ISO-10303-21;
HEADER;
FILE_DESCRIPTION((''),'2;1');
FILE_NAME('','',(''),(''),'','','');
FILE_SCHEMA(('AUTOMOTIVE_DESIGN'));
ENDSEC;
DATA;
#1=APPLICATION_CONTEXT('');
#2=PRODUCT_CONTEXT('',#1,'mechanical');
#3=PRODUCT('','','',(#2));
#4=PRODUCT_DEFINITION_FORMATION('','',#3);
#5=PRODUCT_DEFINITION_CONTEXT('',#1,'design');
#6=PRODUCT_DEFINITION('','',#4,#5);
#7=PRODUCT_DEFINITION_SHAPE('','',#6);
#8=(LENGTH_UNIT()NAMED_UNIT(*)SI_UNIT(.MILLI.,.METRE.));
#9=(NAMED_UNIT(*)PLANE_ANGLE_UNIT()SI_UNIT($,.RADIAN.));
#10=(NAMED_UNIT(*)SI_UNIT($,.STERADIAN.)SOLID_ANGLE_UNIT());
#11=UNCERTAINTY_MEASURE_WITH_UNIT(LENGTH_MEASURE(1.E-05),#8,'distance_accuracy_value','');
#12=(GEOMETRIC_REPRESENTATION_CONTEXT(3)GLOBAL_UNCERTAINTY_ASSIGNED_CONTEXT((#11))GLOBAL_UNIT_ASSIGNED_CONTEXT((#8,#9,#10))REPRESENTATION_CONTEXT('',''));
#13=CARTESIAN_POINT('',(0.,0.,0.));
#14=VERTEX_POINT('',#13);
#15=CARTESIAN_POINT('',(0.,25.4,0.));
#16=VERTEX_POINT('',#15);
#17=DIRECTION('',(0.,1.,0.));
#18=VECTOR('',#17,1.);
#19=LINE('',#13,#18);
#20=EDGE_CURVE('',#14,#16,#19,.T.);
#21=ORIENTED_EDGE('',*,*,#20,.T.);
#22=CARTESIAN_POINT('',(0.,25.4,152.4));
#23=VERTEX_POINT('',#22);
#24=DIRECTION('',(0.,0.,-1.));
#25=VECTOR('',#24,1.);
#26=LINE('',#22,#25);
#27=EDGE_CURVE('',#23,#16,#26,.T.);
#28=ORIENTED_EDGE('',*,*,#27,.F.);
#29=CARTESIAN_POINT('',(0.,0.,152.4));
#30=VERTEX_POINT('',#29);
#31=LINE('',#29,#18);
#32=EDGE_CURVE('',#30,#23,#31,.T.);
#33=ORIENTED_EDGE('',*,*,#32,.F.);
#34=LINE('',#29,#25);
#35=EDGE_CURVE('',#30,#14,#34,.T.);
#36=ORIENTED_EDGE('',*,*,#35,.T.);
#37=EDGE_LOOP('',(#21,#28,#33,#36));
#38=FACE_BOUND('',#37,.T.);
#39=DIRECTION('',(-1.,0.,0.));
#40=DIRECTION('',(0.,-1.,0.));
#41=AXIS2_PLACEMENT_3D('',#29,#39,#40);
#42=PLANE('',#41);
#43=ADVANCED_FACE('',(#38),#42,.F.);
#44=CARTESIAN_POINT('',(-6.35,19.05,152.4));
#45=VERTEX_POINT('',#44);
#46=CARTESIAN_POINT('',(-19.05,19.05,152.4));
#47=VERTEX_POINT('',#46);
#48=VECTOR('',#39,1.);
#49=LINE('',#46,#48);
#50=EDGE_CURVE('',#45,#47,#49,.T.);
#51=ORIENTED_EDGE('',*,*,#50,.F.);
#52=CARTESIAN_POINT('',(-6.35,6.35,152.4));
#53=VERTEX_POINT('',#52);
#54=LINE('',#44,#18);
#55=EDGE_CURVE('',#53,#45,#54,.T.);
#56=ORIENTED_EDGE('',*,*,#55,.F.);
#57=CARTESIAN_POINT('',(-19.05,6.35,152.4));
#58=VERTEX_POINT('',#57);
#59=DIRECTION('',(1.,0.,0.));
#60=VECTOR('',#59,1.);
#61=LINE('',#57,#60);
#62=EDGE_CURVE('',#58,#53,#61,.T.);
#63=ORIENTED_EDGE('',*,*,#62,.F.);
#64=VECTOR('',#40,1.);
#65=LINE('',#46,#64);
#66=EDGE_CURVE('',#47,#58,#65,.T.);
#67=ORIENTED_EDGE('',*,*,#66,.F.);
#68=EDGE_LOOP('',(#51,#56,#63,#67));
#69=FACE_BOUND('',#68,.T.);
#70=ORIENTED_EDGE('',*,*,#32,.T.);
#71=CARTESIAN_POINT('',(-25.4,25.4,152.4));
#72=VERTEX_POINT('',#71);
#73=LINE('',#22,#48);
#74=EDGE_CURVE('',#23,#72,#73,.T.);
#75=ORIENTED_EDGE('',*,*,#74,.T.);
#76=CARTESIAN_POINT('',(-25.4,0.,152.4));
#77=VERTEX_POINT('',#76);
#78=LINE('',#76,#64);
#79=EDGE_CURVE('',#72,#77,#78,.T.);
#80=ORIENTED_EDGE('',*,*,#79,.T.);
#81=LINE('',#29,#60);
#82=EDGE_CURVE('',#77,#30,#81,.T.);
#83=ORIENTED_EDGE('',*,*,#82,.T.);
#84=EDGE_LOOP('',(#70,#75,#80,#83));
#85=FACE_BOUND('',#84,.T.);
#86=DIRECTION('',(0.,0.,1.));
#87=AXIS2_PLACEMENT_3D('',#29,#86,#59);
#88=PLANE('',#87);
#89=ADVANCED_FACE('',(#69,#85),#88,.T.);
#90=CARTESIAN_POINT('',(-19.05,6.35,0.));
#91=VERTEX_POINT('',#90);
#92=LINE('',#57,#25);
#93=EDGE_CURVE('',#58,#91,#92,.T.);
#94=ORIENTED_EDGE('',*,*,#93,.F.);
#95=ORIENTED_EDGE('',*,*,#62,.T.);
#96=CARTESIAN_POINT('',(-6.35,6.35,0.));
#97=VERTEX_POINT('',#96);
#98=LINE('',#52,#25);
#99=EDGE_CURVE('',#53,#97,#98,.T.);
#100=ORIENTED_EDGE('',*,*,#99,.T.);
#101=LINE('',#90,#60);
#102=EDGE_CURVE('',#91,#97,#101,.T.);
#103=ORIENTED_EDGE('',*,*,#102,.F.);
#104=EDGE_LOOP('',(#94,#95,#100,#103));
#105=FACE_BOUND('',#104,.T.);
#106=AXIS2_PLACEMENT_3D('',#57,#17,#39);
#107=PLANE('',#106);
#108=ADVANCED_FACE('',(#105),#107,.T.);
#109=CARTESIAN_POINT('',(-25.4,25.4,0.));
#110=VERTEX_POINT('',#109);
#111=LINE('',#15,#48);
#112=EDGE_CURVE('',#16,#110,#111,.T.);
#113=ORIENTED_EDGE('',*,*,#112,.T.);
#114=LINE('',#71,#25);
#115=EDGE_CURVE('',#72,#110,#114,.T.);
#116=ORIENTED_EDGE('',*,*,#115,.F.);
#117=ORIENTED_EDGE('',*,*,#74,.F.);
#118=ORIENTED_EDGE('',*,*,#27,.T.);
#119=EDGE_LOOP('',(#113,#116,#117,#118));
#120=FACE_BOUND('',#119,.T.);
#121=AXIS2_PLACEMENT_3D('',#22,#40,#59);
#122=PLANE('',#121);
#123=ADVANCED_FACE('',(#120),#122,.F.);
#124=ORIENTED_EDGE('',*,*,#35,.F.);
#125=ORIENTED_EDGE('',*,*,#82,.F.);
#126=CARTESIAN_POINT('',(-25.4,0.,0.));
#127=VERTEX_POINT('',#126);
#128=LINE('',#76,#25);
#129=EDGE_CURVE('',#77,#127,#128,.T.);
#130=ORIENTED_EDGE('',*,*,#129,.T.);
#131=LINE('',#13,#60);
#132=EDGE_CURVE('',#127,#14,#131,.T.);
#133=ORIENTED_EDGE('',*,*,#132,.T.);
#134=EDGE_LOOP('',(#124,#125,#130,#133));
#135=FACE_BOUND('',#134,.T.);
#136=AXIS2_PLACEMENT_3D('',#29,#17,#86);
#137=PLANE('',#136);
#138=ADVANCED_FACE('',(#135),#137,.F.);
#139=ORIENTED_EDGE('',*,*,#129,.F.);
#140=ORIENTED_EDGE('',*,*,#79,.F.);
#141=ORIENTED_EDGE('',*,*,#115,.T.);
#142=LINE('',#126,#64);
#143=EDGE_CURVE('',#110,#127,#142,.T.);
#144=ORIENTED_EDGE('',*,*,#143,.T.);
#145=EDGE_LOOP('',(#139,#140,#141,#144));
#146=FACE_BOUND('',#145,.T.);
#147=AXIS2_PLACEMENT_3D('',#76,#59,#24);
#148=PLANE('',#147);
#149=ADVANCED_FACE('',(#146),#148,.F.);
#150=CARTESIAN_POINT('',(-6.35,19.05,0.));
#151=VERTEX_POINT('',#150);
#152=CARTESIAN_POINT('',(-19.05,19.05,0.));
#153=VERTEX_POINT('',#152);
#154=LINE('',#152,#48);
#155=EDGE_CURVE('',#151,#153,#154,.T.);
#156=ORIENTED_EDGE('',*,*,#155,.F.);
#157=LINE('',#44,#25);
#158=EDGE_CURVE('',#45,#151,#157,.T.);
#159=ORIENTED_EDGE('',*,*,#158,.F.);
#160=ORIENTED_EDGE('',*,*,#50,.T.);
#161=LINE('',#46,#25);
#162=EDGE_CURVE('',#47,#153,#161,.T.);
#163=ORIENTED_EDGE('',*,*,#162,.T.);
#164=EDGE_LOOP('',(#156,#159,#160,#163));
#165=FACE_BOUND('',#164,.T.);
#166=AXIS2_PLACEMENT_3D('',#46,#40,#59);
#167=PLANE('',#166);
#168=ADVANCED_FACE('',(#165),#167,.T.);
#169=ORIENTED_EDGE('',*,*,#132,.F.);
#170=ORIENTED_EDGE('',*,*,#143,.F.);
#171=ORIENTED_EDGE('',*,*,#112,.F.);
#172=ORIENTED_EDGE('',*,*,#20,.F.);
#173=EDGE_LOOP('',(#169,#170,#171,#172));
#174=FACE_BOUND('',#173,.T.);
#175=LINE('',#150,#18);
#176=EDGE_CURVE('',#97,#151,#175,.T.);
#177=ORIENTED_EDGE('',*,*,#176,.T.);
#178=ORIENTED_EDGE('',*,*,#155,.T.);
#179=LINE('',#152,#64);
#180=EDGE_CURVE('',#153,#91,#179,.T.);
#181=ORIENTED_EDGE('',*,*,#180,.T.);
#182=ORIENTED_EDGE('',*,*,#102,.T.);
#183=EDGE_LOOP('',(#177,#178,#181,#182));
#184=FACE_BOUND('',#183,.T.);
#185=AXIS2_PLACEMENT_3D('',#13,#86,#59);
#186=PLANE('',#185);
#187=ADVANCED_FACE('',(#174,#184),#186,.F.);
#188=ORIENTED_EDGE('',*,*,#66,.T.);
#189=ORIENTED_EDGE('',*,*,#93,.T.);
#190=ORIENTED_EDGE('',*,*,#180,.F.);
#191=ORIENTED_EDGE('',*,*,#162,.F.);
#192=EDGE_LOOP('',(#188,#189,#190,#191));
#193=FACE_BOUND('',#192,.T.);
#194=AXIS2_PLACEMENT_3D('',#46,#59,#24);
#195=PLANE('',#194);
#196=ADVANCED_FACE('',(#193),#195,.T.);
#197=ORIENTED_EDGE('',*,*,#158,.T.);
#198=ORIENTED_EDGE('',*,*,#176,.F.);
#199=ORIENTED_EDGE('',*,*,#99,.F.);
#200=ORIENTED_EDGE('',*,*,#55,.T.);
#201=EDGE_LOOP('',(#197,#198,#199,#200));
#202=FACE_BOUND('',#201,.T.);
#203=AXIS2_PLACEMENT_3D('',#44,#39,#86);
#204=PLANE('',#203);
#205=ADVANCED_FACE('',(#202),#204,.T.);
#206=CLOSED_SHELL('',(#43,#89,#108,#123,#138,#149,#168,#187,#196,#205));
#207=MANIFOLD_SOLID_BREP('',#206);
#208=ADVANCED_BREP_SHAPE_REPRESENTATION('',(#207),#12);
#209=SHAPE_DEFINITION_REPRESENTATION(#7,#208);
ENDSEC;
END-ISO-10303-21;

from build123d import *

# Parameters (mm, degrees)
SKETCH1_W           = 25.4
SKETCH1_H           = 25.4
SKETCH1_W_2         = 12.7
SKETCH1_H_2         = 12.7
BOSS_EXTRUDE1_DEPTH = 152.4


with BuildPart() as part:
    # Sketch1 → Boss-Extrude1 (new body)
    with BuildSketch(Plane.XY):
        with Locations((-12.7, 12.7)):
            Rectangle(SKETCH1_W, SKETCH1_H)
        with Locations((-12.7, 12.7)):
            Rectangle(SKETCH1_W_2, SKETCH1_H_2, mode=Mode.SUBTRACT)
    extrude(amount=BOSS_EXTRUDE1_DEPTH)


solid = part.part
